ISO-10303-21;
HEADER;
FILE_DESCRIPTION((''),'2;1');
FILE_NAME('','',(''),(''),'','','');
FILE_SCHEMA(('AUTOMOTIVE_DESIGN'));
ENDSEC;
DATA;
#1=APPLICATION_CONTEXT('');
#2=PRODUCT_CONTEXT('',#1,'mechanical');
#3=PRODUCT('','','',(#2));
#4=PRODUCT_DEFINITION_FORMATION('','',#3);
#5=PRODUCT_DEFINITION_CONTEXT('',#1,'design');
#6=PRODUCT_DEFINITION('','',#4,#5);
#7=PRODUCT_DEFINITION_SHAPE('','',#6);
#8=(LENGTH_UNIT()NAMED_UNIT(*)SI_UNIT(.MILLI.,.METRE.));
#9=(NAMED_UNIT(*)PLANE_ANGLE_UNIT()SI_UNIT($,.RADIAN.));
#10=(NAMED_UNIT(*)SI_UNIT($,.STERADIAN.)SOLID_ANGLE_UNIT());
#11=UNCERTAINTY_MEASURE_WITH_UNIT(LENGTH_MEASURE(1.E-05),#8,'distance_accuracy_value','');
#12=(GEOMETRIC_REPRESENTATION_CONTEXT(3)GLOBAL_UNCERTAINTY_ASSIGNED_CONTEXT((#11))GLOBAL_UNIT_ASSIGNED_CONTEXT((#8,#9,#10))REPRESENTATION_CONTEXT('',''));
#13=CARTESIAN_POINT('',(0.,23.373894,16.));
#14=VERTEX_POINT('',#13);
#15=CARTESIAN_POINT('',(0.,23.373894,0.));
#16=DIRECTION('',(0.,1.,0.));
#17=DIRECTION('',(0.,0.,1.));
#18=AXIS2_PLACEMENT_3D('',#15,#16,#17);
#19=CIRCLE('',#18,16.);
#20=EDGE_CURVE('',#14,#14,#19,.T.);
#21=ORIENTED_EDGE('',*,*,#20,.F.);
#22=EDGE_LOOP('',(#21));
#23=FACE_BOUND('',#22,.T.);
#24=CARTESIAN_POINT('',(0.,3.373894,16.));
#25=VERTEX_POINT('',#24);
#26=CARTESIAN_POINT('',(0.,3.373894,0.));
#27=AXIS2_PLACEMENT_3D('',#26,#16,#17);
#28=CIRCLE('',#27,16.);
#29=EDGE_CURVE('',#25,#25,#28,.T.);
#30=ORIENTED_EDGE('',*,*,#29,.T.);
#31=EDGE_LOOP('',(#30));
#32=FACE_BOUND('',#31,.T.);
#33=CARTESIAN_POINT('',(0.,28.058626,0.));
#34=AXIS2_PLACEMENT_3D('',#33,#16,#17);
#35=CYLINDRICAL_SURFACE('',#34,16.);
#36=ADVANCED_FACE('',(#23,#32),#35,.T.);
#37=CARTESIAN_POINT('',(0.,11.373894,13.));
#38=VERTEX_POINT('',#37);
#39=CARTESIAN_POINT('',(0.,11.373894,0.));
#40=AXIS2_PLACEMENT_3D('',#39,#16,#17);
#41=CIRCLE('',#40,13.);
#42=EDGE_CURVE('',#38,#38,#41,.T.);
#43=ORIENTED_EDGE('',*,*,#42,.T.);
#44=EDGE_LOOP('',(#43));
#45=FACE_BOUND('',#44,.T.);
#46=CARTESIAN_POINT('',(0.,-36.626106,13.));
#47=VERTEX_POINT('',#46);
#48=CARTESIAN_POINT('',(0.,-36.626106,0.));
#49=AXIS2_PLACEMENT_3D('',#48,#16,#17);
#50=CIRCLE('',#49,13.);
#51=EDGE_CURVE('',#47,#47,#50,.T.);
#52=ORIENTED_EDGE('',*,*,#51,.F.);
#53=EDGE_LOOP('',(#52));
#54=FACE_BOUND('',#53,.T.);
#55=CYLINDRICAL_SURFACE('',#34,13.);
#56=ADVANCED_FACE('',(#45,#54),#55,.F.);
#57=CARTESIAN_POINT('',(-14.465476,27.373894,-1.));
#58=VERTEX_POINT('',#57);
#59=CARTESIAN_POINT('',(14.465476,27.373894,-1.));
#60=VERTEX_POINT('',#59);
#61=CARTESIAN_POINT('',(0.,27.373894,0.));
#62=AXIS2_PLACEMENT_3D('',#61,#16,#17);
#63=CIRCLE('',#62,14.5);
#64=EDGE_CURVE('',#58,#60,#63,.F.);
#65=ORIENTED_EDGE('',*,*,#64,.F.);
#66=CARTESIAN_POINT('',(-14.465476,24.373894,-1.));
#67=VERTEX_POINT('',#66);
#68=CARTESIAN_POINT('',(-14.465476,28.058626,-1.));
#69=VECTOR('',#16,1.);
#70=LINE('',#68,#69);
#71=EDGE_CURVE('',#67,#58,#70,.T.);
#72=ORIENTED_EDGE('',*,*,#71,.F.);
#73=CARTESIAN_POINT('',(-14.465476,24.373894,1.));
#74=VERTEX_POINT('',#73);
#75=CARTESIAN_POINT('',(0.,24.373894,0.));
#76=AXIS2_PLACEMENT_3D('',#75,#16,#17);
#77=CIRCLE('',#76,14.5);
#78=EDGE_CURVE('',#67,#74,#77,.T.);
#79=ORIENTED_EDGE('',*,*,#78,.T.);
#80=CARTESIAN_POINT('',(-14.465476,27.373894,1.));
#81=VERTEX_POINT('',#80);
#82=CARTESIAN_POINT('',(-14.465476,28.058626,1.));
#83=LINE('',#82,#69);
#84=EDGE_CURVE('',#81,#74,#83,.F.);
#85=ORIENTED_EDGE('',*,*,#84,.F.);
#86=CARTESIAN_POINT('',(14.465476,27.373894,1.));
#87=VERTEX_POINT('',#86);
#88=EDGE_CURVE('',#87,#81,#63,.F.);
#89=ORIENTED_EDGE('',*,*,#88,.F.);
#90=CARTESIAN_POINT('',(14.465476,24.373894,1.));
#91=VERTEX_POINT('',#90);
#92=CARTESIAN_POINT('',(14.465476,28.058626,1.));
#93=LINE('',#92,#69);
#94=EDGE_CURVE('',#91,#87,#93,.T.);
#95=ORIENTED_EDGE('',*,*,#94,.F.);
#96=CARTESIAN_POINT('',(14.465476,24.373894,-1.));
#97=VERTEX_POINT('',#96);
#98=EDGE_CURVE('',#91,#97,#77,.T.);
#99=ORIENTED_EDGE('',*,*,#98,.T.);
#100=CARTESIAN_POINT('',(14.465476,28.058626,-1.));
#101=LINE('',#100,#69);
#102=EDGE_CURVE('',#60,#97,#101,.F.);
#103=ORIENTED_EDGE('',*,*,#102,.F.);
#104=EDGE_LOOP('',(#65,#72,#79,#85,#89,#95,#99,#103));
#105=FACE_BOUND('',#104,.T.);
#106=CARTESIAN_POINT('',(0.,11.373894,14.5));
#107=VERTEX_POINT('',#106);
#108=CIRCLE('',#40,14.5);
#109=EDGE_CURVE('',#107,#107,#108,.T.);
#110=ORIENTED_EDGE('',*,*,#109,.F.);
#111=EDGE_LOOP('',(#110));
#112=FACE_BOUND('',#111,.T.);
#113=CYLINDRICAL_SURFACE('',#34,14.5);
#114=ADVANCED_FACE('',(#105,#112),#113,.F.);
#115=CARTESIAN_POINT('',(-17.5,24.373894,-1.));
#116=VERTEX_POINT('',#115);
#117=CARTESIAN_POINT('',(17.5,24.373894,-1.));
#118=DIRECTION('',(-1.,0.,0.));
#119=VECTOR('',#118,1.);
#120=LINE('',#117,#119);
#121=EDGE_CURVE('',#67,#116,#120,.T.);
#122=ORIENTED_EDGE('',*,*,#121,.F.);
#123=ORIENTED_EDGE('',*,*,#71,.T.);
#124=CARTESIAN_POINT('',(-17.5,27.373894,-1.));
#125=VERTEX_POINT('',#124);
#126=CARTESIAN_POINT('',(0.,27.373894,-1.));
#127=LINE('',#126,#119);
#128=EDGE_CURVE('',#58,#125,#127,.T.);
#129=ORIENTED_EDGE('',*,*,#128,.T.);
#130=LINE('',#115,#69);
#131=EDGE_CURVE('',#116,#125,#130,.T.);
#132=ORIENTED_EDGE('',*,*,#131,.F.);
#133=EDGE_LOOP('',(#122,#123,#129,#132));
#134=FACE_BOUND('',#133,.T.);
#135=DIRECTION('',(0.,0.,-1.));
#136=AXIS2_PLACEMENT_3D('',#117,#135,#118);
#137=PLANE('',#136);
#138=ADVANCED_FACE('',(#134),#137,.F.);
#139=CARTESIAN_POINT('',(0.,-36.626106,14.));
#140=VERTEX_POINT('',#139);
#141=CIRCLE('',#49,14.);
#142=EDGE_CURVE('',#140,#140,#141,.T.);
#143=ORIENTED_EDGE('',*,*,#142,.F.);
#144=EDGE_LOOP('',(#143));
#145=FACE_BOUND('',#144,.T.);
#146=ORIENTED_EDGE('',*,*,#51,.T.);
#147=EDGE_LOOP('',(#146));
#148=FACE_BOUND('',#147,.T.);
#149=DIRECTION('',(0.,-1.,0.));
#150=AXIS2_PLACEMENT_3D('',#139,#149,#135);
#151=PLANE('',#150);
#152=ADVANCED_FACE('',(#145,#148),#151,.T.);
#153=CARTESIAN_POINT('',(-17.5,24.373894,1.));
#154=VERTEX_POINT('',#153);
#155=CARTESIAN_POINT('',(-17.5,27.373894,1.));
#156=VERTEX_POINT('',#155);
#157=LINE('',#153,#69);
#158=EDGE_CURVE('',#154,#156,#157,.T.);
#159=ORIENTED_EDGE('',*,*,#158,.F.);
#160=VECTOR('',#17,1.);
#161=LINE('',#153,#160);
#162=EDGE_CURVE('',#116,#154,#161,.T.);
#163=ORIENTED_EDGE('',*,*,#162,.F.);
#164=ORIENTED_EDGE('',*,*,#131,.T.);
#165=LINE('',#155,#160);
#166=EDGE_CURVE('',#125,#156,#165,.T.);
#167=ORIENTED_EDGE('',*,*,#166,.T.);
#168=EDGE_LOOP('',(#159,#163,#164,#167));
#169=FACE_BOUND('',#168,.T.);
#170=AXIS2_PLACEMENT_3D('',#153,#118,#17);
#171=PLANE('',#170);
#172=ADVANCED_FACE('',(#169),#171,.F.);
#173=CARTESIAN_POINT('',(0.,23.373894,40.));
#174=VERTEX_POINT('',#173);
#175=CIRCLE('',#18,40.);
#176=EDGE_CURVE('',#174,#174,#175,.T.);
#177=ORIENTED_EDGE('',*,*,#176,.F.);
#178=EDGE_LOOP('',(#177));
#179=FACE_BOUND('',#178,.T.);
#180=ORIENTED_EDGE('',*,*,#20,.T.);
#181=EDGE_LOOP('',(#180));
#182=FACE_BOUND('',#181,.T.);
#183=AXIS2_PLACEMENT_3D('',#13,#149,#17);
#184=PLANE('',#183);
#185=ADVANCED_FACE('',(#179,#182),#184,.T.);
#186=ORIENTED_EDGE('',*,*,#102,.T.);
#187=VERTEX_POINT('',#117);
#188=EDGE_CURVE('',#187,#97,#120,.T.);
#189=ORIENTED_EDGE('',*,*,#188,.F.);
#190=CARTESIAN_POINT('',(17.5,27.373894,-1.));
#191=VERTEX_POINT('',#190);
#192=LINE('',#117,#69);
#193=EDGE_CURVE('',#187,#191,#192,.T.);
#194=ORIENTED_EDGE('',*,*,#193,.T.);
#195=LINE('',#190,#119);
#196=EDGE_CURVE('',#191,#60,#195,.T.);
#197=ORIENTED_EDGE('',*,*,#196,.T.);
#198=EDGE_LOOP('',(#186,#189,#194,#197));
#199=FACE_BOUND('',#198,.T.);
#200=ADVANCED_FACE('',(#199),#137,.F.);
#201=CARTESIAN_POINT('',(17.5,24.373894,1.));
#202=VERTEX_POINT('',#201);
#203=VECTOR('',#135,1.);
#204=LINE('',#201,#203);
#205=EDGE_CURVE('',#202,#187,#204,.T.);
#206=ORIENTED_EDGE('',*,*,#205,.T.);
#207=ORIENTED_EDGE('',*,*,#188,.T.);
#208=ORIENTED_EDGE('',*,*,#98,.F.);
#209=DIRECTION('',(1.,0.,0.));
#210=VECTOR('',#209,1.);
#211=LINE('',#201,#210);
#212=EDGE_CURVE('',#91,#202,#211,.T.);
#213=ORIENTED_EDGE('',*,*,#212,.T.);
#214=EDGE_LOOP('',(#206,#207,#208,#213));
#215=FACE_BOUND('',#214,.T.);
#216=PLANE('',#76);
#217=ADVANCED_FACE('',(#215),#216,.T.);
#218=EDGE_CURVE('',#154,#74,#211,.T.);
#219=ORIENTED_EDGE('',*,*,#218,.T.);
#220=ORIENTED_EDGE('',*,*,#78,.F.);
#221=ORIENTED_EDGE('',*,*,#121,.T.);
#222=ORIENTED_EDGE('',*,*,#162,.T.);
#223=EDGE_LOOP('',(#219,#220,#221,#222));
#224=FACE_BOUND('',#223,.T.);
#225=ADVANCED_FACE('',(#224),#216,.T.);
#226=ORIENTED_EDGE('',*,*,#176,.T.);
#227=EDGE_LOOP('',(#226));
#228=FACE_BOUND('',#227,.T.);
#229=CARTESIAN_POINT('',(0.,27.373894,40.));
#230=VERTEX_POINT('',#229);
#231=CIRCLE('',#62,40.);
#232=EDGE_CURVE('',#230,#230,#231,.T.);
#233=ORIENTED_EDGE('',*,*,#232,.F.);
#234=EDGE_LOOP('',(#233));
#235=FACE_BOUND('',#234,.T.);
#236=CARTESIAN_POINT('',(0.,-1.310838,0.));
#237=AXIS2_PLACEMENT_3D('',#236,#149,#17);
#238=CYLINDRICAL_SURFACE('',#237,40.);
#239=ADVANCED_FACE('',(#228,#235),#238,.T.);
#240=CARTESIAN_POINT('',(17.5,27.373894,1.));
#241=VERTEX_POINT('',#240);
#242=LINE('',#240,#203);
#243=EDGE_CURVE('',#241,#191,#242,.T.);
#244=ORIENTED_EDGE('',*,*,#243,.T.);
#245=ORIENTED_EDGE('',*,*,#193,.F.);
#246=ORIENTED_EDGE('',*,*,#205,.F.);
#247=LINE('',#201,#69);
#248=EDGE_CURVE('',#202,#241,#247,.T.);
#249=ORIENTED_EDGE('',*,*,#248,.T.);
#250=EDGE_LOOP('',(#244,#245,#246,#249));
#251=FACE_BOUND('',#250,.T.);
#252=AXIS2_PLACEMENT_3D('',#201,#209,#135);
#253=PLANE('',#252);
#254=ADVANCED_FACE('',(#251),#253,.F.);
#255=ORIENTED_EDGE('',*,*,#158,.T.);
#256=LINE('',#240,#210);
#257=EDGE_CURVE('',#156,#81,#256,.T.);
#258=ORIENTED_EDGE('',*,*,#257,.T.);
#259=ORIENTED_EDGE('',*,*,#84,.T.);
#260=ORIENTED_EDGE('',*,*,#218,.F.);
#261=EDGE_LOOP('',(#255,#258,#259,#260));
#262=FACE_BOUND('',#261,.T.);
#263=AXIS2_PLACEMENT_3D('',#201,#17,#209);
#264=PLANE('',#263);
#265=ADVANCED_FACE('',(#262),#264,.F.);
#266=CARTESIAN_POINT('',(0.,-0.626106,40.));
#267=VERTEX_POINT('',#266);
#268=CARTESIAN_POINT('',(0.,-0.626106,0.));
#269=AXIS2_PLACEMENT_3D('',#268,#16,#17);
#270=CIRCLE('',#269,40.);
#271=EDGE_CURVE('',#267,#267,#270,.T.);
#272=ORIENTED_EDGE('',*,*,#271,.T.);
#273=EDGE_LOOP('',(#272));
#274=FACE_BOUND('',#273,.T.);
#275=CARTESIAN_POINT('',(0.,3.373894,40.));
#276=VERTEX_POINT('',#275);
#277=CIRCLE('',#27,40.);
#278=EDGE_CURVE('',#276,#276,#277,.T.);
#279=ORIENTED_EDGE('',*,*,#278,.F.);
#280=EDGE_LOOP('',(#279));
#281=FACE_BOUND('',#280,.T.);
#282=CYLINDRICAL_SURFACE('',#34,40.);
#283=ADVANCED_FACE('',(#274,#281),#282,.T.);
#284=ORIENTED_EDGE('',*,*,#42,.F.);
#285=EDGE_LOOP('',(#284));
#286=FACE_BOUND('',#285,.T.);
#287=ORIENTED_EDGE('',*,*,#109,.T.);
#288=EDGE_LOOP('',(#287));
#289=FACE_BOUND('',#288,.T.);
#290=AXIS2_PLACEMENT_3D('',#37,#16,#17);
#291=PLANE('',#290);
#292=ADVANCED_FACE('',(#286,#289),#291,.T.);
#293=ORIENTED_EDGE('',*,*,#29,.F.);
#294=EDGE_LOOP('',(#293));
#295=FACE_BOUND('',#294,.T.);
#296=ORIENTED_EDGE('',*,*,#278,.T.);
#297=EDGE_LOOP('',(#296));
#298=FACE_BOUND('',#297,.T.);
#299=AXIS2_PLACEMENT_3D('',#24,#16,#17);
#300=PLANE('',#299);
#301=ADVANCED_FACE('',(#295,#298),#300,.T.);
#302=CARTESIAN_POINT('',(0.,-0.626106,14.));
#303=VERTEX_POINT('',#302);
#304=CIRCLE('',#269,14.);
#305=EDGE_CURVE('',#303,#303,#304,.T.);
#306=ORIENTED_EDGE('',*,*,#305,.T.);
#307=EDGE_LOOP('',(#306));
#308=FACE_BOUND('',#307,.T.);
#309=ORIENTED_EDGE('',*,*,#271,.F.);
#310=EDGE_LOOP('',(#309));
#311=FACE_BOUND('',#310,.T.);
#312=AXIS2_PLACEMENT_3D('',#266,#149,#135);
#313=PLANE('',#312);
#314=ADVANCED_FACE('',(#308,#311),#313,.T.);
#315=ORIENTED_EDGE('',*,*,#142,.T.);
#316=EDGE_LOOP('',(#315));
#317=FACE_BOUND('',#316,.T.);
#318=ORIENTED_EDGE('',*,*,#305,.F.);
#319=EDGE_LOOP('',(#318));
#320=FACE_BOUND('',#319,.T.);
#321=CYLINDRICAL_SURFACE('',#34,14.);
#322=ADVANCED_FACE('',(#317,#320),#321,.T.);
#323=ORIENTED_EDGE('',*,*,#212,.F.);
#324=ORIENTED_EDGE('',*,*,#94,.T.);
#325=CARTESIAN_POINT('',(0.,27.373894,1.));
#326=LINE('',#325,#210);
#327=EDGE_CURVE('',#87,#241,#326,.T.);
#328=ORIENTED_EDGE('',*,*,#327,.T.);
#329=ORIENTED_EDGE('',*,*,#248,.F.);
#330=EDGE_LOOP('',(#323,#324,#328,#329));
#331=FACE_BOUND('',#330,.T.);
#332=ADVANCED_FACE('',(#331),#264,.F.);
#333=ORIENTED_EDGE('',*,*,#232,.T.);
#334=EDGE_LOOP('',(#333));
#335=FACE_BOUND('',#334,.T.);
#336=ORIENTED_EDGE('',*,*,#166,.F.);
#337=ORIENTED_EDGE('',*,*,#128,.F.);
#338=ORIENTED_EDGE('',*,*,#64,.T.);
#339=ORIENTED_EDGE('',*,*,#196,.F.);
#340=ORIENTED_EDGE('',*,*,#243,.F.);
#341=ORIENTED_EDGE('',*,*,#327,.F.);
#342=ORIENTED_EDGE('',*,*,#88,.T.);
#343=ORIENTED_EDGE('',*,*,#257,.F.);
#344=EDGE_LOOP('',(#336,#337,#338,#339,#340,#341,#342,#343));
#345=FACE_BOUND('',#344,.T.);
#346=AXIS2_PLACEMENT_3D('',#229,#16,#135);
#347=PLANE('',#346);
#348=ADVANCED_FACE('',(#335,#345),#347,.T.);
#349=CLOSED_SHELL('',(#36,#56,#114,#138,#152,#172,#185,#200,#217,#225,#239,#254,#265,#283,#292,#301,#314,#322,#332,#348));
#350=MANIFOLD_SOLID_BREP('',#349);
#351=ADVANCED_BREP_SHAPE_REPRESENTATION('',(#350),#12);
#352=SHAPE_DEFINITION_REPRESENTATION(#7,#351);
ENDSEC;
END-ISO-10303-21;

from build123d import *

# Parameters (mm, degrees)
CUT_EXTRUDE1_START = 66
SKETCH2_R          = 14.5
CUT_EXTRUDE1_DEPTH = 66
SKETCH3_W          = 35
SKETCH3_H          = 2
CUT_EXTRUDE2_DEPTH = 3


with BuildPart() as part:
    # Sketch1 → Revolve1 (revolve)
    with BuildSketch(Plane(origin=(0, 0, 0), x_dir=(0, 0, -1), z_dir=(1, 0, 0))):
        Polygon((-16, 3.37389395), (-40, 3.37389395), (-40, -0.62610605), (-14.5, -0.62610605), (-14, -0.62610605), (-14, -36.62610605), (-13, -36.62610605), (-13, -0.62610605), (-13, 11.37389395), (-14.5, 11.37389395), (-14.5, 23.37389395), (-16, 23.37389395), align=None)
    revolve1 = revolve(axis=Axis((0, 28.058626224, 0), (0, -1, 0)))

    # Mirror3: Revolve1 across plane
    add(revolve1.mirror(Plane.ZX.offset(13.37389395)))

    # Sketch2 → Cut-Extrude1 (cut)
    with BuildSketch(Plane(origin=(0, 11.37389395, 0), x_dir=(1, 0, 0), z_dir=(0, 1, 0)).offset(CUT_EXTRUDE1_START)):
        with Locations(Location((0, 0, 0), (0, 0, 270))):
            Circle(SKETCH2_R)
    extrude(amount=-CUT_EXTRUDE1_DEPTH, mode=Mode.SUBTRACT)

    # Sketch3 → Cut-Extrude2 (cut)
    with BuildSketch(Plane(origin=(0, 27.37389395, 0), x_dir=(1, 0, 0), z_dir=(0, 1, 0))):
        Rectangle(SKETCH3_W, SKETCH3_H)
    extrude(amount=-CUT_EXTRUDE2_DEPTH, mode=Mode.SUBTRACT)


solid = part.part
